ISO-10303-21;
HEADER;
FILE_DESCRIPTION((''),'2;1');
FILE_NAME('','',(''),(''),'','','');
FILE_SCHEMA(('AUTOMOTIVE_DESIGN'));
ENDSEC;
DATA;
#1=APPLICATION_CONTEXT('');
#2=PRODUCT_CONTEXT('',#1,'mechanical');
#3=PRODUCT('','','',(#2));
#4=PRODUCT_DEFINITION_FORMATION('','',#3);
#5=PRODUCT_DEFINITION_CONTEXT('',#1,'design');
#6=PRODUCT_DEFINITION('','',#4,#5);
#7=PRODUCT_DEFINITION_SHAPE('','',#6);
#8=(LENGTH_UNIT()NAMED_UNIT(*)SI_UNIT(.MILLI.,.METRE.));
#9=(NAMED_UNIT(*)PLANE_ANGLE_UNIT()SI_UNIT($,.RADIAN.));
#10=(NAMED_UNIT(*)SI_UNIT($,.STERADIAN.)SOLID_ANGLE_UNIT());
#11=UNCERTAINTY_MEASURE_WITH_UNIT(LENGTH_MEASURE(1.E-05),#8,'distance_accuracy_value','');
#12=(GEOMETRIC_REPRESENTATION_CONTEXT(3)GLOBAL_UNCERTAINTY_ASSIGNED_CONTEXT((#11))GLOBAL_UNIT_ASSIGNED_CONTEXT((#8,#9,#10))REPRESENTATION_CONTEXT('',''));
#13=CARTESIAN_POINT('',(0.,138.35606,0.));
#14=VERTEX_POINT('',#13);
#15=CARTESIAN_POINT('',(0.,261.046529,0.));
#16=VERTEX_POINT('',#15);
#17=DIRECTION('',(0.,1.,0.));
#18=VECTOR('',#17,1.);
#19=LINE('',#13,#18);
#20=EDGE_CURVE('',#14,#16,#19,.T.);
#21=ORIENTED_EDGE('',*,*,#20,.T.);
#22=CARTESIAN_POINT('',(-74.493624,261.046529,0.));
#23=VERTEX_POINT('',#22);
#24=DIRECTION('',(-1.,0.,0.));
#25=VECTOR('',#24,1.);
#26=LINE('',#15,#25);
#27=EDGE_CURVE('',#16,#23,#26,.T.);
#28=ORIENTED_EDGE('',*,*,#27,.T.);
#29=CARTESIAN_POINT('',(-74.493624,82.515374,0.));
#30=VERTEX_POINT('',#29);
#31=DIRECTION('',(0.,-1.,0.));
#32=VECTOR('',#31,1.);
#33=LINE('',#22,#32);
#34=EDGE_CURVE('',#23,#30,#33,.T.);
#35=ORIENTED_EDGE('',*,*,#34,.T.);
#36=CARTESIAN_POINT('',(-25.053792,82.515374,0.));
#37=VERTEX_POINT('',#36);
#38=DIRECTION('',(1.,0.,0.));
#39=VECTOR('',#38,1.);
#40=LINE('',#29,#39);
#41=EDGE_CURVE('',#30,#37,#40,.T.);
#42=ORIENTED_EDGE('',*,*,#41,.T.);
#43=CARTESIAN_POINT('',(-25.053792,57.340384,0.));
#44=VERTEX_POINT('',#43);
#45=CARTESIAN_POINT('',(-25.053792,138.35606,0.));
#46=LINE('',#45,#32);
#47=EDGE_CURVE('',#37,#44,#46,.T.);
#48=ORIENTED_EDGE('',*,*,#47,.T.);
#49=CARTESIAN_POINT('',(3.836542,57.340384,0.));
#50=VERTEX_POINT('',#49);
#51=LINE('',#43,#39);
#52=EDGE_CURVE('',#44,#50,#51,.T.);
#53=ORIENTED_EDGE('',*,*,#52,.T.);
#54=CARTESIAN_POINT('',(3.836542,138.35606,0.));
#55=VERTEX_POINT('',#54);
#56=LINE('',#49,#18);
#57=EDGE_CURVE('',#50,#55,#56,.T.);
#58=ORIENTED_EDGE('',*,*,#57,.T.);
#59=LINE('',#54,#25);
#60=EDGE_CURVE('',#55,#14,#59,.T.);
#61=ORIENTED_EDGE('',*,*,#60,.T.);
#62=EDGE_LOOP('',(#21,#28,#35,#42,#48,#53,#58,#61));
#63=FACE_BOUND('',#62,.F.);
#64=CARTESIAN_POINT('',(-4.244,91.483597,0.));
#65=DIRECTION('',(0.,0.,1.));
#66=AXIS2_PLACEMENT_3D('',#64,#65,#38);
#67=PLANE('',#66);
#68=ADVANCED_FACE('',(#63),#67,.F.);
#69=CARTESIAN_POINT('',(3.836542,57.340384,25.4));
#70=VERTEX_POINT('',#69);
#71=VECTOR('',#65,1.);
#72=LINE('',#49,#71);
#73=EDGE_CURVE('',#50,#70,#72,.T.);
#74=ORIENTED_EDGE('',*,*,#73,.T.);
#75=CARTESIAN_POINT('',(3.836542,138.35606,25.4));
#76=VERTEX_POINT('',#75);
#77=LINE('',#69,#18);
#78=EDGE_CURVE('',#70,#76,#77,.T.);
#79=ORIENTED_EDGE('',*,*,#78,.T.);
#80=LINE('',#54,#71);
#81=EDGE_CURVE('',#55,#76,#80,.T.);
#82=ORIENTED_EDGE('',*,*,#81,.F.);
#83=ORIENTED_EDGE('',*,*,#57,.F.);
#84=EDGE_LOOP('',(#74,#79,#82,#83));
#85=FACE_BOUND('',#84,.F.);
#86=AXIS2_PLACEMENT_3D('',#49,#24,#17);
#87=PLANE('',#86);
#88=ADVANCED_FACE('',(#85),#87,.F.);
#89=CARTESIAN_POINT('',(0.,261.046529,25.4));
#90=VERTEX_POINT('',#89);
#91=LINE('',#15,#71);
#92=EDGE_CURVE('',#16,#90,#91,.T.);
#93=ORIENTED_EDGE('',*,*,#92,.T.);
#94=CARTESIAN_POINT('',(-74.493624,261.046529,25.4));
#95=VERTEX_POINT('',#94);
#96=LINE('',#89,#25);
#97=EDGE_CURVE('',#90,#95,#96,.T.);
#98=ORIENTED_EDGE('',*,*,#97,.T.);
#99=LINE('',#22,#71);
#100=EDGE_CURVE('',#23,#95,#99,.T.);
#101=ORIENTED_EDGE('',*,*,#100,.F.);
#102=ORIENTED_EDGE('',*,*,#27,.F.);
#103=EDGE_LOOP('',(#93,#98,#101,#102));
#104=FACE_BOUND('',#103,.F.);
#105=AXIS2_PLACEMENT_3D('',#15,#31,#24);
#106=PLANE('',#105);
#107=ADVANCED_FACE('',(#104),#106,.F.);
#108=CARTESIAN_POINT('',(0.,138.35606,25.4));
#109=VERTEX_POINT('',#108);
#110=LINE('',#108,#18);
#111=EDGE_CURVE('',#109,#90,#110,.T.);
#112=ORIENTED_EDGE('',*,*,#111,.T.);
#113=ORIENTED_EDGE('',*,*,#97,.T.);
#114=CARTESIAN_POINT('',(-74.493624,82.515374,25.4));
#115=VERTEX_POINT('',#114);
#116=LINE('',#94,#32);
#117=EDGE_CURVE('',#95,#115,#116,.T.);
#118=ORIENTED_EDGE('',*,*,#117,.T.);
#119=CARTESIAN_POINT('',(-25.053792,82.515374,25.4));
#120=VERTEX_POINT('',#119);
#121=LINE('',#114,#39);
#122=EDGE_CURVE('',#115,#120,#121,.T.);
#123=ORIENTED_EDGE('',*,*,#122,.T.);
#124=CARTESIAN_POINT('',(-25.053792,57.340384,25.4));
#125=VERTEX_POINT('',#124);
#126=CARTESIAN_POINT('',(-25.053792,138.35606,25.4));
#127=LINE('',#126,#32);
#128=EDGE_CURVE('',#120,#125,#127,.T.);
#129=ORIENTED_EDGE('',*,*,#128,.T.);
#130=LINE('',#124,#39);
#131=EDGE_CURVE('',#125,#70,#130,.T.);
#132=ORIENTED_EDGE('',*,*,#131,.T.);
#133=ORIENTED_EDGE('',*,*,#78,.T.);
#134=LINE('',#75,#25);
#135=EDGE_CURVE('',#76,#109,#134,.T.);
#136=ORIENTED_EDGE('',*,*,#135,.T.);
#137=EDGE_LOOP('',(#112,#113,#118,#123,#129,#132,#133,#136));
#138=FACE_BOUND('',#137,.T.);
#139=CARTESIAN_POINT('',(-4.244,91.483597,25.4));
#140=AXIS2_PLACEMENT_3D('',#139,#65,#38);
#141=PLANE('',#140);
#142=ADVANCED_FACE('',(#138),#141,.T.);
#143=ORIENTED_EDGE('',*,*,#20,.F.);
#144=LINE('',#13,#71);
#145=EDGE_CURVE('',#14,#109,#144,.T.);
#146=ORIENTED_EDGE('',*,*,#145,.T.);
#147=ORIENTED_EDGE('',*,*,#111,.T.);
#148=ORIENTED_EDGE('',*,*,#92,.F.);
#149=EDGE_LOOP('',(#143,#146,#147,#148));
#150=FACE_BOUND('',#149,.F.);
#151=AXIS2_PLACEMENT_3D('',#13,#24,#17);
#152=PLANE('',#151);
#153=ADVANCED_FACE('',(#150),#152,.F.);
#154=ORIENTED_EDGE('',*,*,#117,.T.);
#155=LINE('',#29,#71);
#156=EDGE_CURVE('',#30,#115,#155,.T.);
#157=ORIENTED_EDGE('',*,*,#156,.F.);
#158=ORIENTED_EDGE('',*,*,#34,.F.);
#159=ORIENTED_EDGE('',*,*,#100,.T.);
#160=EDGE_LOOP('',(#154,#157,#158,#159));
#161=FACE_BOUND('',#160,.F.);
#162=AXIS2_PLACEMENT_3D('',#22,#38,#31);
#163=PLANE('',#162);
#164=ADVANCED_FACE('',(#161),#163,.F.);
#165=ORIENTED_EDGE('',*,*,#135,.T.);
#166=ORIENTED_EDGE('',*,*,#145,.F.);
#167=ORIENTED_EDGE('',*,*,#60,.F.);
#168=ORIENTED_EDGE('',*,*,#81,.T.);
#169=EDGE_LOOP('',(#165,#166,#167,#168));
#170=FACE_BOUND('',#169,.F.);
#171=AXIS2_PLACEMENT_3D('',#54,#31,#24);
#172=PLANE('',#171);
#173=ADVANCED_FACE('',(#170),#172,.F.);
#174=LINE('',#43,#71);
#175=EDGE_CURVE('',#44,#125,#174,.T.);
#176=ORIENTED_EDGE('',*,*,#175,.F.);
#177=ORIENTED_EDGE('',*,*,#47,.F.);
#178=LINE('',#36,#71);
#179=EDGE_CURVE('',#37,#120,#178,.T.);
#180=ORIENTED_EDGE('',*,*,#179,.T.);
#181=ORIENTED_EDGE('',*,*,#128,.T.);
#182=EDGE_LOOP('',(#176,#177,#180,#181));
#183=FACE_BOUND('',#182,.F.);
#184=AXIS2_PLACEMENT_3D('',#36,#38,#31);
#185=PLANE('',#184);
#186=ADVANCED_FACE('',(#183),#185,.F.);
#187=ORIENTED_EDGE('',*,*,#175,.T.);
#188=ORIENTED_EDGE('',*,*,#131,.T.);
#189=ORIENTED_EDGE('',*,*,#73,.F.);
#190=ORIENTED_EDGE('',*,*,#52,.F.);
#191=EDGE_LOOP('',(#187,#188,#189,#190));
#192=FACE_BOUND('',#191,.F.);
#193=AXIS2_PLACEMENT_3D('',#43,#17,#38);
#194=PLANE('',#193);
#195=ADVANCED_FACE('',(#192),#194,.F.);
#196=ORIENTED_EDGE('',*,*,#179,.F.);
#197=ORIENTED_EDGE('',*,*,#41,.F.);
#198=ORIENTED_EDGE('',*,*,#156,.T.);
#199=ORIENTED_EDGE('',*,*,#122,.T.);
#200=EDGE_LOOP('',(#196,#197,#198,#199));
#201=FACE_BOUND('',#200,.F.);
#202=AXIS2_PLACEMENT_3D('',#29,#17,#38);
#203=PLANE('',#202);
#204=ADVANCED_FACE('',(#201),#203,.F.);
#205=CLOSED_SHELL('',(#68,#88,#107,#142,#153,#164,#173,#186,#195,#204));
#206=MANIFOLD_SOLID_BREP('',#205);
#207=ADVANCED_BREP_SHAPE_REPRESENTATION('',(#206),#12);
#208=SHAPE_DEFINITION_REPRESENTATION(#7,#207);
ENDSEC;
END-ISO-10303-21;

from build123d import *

# Parameters (mm, degrees)
F0_W     = 25.0537917018
F0_H     = 55.8406859636
F1_DEPTH = 25.4


with BuildPart() as f1:
    # F0 (on Top) → F1 (new body)
    with BuildSketch(Plane.XY):
        Polygon((0, 138.3560597897), (0, 82.515373826), (-25.0537917018, 82.515373826), (-25.0537917018, 57.3403835297), (3.8365423679, 57.3403835297), (3.8365423679, 138.3560597897), align=None)
        with Locations((-12.5268958509, 110.4357168078)):
            Rectangle(F0_W, F0_H)
        Polygon((-74.49362427, 82.515373826), (-25.0537917018, 82.515373826), (-25.0537917018, 138.3560597897), (0, 138.3560597897), (0, 261.0465288162), (-74.49362427, 261.0465288162), align=None)
    extrude(amount=F1_DEPTH)


solid = f1.part
